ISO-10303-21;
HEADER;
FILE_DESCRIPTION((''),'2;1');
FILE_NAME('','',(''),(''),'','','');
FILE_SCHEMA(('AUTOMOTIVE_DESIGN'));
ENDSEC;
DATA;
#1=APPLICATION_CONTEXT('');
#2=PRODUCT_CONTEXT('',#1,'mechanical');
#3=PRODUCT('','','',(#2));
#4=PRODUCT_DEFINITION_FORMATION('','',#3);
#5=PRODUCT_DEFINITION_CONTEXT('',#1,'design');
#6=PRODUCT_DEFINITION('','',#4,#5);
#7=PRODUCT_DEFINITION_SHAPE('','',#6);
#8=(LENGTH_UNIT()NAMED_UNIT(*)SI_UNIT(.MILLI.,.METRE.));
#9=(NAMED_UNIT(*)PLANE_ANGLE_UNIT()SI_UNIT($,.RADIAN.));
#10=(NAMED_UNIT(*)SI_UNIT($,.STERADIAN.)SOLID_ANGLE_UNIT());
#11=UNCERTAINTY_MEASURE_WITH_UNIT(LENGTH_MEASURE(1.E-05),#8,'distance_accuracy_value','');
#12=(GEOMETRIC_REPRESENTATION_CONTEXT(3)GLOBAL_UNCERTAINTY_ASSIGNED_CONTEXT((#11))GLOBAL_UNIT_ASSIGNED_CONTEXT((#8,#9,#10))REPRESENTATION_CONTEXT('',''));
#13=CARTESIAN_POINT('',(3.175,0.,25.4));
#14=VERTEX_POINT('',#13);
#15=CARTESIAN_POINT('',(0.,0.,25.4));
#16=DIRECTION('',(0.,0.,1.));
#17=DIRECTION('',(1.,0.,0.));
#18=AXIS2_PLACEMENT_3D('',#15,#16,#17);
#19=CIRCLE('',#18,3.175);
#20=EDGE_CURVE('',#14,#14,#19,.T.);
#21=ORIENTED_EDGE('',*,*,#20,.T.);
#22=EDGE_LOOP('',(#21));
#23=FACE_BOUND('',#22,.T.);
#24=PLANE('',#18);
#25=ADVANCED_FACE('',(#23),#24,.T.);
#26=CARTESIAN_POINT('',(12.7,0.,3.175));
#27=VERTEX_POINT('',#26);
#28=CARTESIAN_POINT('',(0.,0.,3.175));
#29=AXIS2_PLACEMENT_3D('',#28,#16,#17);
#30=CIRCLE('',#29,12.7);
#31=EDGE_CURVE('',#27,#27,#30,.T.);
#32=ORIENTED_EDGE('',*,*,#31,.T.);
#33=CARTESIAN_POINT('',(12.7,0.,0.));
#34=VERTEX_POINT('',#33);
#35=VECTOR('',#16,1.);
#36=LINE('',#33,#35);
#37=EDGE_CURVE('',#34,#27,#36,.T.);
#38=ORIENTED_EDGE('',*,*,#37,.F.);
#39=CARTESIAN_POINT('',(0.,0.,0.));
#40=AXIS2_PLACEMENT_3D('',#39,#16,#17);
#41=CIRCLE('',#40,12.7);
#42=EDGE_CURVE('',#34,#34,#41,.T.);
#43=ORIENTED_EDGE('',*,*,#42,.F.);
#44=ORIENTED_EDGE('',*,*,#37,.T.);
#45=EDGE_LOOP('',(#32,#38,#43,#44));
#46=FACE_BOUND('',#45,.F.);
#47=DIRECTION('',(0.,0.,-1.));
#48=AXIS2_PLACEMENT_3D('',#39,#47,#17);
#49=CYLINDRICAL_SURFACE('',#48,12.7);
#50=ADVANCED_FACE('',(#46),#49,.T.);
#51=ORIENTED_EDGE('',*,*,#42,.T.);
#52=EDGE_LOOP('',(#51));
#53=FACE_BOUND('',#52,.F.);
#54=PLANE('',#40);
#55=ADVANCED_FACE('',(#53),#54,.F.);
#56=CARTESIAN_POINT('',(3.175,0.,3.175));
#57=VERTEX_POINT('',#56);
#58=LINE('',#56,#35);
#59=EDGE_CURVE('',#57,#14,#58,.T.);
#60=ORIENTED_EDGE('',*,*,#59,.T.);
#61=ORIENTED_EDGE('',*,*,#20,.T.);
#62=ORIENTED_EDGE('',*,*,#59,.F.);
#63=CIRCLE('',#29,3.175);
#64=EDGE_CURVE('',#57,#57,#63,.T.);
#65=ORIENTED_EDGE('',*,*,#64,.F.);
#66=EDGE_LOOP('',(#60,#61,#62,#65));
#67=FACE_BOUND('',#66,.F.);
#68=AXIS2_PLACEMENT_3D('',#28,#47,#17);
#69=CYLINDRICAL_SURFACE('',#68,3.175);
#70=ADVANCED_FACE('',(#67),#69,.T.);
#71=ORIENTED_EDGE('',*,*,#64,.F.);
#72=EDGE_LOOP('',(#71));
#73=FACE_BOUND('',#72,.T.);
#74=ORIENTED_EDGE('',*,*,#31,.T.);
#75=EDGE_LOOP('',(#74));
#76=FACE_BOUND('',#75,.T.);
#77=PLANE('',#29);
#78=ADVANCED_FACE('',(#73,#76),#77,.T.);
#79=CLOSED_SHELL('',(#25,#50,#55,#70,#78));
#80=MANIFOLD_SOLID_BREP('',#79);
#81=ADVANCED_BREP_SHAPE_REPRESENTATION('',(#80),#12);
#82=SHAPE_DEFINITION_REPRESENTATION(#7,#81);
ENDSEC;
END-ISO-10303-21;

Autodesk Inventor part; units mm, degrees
ref_plane "YZ Plane" through (0, 0, 0) normal (1, 0, 0) x (0, 1, 0)
ref_plane "XZ Plane" through (0, 0, 0) normal (0, 1, 0) x (-1, 0, 0)
ref_plane "XY Plane" through (0, 0, 0) normal (0, 0, 1) x (1, 0, 0)
sketch "Sketch1" plane through (0, 0, 0) normal (0, 0, 1) x (1, 0, 0)
  circle A0 centre (0, 0) radius 12.7
  dimension "d0" = 25.4
extrude "Extrusion1" add sketch "Sketch1" along normal blind 3.175
sketch "Sketch2" plane through (0, 0, 3.175) normal (0, 0, 1) x (1, 0, 0)
  circle A0 centre (0, 0) radius 3.175
  dimension "d3" = 6.35
extrude "Extrusion2" add sketch "Sketch2" along normal blind 22.225
properties part number "holder"
